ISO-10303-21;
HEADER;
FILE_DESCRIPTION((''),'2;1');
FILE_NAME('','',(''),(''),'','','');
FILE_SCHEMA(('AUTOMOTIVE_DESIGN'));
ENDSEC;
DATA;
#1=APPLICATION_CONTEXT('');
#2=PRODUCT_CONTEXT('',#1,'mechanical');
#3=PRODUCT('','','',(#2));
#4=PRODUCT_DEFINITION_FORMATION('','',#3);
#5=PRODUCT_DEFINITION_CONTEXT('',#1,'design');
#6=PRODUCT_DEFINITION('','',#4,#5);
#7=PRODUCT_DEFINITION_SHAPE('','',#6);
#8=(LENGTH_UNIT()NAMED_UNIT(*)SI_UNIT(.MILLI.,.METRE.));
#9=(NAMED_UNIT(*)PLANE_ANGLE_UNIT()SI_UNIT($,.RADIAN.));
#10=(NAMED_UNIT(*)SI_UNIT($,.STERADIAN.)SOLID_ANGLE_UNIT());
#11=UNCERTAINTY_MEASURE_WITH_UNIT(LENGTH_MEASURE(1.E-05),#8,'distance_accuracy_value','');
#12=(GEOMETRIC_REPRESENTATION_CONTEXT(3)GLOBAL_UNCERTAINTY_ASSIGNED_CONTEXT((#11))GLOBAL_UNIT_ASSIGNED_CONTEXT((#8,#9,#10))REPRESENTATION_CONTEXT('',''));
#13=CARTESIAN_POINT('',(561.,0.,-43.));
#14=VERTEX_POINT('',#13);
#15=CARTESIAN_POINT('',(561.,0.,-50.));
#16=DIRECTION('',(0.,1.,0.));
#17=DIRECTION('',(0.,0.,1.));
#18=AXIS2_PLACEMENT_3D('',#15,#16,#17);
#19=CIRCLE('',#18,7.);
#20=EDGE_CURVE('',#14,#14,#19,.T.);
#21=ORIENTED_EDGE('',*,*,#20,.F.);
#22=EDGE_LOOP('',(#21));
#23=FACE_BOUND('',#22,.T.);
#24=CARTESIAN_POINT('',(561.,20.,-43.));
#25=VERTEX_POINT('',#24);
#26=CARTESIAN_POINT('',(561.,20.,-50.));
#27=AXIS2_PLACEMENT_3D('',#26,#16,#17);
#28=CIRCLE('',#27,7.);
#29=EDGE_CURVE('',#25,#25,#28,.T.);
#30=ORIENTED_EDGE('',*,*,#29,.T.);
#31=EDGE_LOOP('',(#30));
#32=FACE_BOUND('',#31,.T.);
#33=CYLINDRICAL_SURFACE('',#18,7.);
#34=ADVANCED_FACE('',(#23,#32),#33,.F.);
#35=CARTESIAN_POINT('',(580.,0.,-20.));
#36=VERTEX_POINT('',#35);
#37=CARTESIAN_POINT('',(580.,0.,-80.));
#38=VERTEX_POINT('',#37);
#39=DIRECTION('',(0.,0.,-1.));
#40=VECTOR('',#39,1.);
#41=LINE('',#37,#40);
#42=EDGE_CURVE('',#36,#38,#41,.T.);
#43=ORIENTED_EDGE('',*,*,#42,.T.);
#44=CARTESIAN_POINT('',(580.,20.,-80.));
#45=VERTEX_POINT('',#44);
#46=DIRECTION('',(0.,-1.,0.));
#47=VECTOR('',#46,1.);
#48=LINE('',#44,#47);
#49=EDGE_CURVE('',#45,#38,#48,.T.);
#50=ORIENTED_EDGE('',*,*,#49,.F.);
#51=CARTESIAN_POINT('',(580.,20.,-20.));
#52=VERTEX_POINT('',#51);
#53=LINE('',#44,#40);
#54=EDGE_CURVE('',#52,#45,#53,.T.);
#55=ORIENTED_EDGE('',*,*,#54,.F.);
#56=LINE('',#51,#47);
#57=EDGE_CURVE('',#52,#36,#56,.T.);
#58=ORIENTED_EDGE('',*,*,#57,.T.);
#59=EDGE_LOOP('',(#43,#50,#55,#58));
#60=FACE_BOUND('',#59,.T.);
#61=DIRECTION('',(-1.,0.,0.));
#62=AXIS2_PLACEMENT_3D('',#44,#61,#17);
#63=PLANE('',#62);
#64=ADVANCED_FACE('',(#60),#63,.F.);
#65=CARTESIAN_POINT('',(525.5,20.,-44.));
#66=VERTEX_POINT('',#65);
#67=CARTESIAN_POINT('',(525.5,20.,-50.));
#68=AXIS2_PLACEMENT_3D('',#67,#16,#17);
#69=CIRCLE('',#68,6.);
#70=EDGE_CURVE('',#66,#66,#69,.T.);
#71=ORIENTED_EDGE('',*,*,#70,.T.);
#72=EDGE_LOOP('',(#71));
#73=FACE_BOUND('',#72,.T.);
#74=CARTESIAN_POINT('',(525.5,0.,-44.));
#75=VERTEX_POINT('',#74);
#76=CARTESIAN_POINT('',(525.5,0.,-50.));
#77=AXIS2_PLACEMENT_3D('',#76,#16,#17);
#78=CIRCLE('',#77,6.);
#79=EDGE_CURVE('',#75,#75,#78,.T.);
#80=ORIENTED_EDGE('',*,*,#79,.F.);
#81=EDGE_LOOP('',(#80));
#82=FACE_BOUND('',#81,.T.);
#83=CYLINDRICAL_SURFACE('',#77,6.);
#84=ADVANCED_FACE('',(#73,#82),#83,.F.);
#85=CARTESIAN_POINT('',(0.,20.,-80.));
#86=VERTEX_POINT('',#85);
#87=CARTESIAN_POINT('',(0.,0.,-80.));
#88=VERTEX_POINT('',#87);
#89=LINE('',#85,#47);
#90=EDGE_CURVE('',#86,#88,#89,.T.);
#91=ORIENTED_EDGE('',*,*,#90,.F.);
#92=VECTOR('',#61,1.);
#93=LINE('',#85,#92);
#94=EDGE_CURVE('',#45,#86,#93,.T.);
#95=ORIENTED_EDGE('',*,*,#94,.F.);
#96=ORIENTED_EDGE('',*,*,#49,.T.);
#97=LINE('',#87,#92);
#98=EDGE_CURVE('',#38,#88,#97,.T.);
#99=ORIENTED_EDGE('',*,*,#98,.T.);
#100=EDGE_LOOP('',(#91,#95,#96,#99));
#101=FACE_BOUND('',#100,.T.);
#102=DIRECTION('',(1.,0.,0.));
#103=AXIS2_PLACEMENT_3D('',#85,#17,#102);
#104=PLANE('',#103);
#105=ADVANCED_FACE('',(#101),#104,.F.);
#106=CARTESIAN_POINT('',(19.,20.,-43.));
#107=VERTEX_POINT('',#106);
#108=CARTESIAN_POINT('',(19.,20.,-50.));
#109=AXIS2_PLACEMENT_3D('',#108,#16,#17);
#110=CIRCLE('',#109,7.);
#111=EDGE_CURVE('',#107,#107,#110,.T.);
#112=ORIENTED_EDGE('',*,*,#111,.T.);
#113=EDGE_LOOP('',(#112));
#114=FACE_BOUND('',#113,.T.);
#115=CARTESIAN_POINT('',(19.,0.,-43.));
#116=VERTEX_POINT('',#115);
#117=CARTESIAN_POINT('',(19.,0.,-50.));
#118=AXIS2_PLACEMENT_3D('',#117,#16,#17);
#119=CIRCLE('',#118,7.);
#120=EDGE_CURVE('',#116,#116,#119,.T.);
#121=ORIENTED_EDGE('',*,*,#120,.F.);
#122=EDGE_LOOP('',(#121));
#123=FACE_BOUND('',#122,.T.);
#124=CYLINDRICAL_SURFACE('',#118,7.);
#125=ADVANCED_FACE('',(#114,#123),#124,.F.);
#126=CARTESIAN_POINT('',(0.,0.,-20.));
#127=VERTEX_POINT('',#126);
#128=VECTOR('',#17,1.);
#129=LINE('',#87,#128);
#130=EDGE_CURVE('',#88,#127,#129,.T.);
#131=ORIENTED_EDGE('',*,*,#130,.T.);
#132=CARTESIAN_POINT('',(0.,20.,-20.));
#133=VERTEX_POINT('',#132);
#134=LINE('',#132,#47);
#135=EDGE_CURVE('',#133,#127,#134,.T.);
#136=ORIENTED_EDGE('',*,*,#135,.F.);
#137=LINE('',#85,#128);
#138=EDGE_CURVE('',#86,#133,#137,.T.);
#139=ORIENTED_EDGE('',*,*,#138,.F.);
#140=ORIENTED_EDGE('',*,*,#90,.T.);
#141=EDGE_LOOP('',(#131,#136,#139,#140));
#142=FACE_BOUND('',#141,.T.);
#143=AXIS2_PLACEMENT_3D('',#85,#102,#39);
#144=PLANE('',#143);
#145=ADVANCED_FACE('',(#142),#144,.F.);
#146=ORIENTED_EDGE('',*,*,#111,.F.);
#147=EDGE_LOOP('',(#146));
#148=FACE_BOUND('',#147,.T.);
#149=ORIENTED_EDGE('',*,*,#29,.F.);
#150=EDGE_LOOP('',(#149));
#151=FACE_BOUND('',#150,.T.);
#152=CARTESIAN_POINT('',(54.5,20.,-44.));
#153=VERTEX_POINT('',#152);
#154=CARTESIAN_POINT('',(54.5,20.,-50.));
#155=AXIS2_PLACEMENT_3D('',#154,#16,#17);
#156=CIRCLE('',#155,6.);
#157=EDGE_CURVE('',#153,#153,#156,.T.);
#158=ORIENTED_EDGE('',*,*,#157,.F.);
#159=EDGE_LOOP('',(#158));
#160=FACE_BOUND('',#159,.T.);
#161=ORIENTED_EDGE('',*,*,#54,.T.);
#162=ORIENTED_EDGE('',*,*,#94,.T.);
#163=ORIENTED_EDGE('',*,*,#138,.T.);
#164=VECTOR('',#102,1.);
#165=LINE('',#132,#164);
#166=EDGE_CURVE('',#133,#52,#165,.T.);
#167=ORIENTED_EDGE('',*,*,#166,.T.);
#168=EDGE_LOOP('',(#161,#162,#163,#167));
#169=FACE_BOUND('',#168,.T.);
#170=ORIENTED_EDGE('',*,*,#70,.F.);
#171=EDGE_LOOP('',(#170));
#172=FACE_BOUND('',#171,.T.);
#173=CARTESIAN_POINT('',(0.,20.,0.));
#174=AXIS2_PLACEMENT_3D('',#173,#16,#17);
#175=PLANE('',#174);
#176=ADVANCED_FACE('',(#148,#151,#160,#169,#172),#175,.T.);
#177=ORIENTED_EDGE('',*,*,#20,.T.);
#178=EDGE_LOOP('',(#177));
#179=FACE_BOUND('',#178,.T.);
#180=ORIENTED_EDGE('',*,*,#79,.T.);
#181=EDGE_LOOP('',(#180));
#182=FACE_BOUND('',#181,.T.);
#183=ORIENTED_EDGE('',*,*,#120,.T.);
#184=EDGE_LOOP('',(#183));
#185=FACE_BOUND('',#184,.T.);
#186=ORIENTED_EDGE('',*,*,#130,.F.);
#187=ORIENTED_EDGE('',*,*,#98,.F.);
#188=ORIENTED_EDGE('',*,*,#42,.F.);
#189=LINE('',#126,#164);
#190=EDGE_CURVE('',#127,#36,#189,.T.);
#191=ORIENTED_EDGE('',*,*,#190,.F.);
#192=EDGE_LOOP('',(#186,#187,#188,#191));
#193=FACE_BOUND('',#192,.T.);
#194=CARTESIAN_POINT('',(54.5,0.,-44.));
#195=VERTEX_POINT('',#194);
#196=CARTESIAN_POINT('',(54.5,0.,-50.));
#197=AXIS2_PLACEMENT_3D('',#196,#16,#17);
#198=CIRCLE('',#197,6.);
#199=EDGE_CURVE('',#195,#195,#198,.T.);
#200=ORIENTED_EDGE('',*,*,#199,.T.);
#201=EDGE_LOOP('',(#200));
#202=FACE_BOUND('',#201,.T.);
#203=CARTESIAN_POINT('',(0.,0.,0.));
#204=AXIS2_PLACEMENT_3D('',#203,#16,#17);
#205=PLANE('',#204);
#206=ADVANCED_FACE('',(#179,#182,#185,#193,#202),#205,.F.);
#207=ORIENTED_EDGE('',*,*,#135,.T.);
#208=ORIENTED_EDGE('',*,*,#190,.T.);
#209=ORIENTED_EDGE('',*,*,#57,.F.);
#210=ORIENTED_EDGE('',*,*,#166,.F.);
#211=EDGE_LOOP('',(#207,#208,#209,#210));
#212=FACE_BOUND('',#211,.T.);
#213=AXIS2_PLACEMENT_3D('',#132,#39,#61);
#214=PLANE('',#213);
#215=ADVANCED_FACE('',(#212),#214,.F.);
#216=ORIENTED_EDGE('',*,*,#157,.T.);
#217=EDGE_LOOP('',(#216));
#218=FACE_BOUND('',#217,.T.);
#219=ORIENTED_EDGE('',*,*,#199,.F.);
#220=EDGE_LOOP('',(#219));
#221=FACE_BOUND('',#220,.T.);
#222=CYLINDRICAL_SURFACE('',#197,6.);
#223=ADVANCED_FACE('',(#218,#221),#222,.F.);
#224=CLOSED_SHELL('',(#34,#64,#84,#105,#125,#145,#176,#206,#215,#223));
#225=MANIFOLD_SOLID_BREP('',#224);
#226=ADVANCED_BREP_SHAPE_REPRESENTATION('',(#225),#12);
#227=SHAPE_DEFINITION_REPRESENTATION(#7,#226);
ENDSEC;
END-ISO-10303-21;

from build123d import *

# Parameters (mm, degrees)
SKETCH3_W           = 580
SKETCH3_H           = 60
BOSS_EXTRUDE1_DEPTH = 20
SKETCH4_R           = 7
SKETCH4_R_2         = 6
CUT_EXTRUDE1_DEPTH  = 586.832740635


with BuildPart() as part:
    # Sketch3 → Boss-Extrude1 (new body)
    with BuildSketch(Plane(origin=(0, 0, 0), x_dir=(1, 0, 0), z_dir=(0, 1, 0))):
        with Locations((290, 50)):
            Rectangle(SKETCH3_W, SKETCH3_H)
    extrude(amount=BOSS_EXTRUDE1_DEPTH)

    # Sketch4 → Cut-Extrude1 (cut, through all)
    with BuildSketch(Plane(origin=(0, 20, 0), x_dir=(1, 0, 0), z_dir=(0, 1, 0))):
        with Locations(Location((19, 50, 0), (0, 0, 270))):
            Circle(SKETCH4_R)
        with Locations(Location((54.5, 50, 0), (0, 0, 270))):
            Circle(SKETCH4_R_2)
        with Locations(Location((525.5, 50, 0), (0, 0, 270))):
            Circle(SKETCH4_R_2)
        with Locations(Location((561, 50, 0), (0, 0, 270))):
            Circle(SKETCH4_R)
    extrude(amount=-CUT_EXTRUDE1_DEPTH, mode=Mode.SUBTRACT)


solid = part.part
